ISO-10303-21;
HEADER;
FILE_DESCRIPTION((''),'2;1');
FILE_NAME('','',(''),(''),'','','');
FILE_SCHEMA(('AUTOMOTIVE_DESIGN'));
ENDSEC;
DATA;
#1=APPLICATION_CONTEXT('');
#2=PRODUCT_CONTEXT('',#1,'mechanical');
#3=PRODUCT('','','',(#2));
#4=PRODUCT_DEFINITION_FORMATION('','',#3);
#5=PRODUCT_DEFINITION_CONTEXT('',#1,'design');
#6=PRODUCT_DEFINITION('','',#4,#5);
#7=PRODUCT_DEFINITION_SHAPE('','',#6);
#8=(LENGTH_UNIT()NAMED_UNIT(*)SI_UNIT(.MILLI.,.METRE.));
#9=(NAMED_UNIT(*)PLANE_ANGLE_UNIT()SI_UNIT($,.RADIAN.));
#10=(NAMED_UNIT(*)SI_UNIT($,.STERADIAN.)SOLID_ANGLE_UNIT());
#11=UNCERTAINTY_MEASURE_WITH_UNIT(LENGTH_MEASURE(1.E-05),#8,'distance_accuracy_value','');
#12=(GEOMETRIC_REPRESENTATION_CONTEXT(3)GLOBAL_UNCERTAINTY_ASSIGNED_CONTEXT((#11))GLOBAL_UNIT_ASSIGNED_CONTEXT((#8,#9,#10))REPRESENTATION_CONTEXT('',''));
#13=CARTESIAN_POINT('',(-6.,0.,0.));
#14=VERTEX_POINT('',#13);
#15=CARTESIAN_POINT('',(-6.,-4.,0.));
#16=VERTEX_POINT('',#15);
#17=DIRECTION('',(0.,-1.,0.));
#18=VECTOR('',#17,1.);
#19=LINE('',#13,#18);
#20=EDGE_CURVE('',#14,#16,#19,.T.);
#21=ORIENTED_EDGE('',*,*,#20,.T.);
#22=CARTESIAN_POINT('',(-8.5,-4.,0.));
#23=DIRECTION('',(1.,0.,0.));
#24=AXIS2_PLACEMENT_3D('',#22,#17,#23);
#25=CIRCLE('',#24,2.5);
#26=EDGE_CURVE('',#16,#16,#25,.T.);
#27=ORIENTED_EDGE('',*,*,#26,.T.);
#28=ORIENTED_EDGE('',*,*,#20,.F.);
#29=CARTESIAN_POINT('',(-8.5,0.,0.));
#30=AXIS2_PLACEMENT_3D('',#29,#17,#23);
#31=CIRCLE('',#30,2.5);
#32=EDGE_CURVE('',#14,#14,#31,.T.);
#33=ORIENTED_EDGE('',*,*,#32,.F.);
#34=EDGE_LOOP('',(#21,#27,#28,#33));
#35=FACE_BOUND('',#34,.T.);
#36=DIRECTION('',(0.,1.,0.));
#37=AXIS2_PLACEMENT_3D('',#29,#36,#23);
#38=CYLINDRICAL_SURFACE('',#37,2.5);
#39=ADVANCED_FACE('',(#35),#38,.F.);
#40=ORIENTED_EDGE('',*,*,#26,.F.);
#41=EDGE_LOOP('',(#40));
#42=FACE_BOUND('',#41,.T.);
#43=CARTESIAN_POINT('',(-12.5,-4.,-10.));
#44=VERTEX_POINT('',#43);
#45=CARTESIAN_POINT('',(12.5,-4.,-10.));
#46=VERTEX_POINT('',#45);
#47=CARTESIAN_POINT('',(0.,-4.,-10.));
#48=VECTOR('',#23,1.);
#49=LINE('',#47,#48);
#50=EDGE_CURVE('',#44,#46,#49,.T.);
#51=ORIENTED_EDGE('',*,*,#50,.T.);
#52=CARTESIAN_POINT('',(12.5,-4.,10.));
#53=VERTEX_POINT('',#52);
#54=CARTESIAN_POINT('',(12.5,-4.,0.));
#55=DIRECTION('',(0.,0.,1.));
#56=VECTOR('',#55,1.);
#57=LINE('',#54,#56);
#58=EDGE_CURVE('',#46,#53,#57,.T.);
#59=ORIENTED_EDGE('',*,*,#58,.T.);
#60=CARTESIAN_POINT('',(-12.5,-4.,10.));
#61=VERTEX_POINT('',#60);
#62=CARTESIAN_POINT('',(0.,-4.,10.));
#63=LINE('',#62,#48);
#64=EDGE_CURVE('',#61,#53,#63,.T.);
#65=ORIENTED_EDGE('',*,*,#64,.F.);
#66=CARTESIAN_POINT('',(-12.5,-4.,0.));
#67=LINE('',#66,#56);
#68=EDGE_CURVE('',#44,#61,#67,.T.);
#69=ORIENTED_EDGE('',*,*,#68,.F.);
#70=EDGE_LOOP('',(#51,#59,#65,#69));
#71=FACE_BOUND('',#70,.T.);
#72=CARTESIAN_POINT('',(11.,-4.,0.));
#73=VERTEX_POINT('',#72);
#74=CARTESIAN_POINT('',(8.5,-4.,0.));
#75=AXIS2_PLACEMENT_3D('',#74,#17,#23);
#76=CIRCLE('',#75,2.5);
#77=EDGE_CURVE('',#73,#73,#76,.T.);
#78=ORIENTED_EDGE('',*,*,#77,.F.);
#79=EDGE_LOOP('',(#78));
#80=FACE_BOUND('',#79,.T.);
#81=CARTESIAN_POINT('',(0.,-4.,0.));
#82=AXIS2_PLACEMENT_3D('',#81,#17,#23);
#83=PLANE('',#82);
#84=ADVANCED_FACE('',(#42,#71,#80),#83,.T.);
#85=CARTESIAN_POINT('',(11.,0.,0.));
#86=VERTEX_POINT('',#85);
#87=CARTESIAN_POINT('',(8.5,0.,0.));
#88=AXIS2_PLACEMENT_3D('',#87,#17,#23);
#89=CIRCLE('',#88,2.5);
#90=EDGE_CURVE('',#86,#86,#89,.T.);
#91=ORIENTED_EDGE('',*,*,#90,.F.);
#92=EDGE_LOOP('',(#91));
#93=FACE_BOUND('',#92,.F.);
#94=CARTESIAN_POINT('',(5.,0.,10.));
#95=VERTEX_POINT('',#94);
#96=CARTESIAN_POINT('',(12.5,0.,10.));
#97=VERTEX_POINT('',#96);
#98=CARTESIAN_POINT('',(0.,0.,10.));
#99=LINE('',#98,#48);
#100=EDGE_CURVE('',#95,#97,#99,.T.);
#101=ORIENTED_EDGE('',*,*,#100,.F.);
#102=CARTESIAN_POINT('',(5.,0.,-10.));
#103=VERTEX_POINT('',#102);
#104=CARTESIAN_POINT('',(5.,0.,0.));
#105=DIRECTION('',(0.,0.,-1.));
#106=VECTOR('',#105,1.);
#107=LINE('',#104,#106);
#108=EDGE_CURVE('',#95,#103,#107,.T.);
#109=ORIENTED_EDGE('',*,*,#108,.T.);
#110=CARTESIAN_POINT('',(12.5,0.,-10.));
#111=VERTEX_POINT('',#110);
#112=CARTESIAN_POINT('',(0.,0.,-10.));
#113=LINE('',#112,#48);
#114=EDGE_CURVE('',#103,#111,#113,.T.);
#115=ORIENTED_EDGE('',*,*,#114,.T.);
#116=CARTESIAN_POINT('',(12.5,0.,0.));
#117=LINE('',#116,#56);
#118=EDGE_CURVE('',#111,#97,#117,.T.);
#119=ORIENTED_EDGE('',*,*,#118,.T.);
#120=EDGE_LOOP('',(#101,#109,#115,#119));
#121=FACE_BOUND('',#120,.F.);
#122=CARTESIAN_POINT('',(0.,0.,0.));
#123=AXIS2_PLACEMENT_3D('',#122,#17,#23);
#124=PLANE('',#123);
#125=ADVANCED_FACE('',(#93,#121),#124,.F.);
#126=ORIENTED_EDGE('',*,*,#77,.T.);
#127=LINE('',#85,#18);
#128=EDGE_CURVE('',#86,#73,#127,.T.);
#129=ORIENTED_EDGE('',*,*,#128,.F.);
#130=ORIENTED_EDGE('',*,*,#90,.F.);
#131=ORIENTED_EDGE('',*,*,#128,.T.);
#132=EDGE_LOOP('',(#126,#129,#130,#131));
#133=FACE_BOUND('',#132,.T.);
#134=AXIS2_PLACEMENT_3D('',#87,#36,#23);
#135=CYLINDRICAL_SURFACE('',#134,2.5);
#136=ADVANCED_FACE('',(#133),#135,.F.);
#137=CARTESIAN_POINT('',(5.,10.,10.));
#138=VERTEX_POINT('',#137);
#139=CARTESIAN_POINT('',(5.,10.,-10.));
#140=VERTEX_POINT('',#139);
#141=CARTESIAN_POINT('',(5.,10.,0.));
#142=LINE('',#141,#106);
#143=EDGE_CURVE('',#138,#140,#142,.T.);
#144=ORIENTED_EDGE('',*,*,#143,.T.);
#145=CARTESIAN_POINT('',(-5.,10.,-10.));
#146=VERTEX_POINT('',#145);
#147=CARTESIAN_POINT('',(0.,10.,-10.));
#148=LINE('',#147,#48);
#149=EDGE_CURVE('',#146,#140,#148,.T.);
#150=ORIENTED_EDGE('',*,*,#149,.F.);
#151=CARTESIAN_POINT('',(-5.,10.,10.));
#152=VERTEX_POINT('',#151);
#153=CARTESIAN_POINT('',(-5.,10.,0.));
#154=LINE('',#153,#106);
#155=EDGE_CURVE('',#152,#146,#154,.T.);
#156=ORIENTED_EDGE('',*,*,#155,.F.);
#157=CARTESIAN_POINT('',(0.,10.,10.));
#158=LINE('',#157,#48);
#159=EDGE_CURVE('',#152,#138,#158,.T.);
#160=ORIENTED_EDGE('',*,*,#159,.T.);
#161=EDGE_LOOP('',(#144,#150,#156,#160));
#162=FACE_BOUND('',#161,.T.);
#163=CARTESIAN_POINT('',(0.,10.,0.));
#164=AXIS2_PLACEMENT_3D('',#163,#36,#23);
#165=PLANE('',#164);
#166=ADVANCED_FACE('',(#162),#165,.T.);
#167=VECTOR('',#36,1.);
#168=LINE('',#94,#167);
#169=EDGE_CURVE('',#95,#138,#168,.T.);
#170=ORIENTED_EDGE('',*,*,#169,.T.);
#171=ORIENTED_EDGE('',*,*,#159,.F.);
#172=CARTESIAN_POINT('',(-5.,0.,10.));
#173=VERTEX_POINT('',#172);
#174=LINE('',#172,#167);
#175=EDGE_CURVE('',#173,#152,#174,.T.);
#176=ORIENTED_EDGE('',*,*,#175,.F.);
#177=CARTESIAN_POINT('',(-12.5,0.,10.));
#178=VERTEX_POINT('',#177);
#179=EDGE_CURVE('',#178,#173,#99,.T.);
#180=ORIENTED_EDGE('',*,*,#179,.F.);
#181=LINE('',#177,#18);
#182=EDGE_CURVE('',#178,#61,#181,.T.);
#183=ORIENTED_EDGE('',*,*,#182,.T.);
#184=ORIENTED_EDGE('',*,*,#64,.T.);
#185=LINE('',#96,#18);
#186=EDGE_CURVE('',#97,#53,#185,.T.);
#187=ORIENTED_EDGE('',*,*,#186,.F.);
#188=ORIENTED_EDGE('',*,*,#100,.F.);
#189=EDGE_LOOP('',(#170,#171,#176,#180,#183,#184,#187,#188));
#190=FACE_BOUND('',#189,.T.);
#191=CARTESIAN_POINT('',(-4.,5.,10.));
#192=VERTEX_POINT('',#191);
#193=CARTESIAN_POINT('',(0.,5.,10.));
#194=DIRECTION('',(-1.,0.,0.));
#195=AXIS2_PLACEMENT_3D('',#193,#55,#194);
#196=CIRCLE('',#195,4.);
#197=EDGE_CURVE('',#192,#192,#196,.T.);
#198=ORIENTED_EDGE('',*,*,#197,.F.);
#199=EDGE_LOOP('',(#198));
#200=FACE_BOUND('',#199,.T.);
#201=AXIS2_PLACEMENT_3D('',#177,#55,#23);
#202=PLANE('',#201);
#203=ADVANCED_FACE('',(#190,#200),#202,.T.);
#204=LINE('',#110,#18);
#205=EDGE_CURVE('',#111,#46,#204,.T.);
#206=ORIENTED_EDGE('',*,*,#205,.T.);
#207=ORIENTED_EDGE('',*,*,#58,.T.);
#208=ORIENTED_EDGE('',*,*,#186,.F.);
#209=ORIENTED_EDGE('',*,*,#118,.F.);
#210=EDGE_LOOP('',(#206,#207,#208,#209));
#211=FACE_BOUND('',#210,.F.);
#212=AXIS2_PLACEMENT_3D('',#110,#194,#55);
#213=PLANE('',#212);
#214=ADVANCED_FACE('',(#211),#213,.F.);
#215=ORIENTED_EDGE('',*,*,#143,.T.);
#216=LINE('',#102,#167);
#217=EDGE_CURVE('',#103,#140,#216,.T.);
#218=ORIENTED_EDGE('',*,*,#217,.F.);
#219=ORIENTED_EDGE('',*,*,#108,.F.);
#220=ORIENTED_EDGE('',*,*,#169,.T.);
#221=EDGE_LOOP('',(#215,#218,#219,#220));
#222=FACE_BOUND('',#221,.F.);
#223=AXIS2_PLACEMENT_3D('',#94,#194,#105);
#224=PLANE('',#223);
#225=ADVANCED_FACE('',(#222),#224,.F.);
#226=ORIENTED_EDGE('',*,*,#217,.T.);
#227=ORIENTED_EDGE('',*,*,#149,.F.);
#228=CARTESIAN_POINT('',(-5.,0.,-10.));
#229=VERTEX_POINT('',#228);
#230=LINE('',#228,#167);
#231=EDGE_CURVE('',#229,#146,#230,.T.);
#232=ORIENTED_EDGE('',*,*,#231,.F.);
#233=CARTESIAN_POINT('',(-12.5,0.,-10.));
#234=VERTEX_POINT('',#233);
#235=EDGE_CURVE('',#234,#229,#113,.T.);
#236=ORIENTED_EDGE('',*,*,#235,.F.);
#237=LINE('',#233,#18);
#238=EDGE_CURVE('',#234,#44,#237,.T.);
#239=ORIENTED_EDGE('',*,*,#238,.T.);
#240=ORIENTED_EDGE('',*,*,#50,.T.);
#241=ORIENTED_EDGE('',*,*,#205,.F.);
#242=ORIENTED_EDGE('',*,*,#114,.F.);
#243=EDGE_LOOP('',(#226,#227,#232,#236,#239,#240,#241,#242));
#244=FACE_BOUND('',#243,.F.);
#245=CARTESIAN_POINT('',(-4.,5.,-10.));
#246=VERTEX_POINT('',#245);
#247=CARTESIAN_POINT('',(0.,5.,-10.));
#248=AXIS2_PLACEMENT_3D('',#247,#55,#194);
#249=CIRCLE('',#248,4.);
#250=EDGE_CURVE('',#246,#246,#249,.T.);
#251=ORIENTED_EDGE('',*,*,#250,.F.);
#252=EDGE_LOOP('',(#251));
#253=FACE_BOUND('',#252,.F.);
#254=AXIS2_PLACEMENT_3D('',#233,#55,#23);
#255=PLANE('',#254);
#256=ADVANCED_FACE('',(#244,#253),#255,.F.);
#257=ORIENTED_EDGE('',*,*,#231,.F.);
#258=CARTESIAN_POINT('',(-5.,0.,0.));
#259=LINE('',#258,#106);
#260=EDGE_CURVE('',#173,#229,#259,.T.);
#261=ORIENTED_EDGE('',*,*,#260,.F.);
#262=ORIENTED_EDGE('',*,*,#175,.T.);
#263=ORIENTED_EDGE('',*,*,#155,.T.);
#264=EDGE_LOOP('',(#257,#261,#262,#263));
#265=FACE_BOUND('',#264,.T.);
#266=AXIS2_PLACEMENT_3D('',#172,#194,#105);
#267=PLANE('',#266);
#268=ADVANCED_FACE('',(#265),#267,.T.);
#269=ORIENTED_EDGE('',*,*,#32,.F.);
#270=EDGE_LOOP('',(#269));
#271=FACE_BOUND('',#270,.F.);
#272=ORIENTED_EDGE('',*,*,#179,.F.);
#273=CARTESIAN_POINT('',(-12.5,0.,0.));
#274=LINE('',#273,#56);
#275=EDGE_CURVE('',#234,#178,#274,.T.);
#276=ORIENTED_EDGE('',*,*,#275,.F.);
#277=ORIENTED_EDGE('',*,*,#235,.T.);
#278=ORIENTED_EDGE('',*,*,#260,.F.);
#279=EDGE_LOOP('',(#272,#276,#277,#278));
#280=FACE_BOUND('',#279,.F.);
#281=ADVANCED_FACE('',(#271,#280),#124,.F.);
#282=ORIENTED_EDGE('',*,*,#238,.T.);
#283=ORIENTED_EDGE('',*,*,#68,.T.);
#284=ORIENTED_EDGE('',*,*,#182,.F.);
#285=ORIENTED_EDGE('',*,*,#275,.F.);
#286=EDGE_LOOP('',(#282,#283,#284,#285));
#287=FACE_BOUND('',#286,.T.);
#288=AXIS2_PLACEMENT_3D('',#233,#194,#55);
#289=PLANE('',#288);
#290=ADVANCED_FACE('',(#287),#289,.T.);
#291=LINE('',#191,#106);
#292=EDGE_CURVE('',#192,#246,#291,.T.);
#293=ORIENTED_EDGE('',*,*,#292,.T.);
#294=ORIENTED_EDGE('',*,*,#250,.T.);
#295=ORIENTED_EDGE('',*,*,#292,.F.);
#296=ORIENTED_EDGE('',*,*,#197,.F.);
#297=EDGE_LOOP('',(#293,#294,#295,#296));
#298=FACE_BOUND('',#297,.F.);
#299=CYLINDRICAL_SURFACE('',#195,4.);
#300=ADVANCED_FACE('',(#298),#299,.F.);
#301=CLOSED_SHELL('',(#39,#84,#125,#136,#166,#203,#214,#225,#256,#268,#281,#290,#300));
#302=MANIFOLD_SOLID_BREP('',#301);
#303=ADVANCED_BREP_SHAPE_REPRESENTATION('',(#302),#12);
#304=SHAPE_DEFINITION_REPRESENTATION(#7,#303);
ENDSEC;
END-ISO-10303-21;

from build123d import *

# Parameters (mm, degrees)
SKETCH025_W     = 25
SKETCH025_H     = 20
SKETCH025_R     = 2.5
PAD013_DEPTH    = 4
SKETCH026_W     = 10
SKETCH026_H     = 20
PAD014_DEPTH    = 10
SKETCH027_R     = 4
POCKET013_DEPTH = 20.001


with BuildPart() as part:
    # Sketch025 → Pad013 (new body)
    with BuildSketch(Plane.XZ):
        Rectangle(SKETCH025_W, SKETCH025_H)
        with Locations((-8.5, 0)):
            Circle(SKETCH025_R, mode=Mode.SUBTRACT)
        with Locations((8.5, 0)):
            Circle(SKETCH025_R, mode=Mode.SUBTRACT)
    extrude(amount=PAD013_DEPTH)

    # Sketch026 (on Face7 of Pad013) → Pad014 (join)
    with BuildSketch(Plane(origin=(0, 0, 0), x_dir=(1, 0, 0), z_dir=(0, 1, 0))):
        Rectangle(SKETCH026_W, SKETCH026_H)
    extrude(amount=PAD014_DEPTH)

    # Sketch027 (on Face5 of Pad014) → Pocket013 (cut, through all)
    with BuildSketch(Plane(origin=(0, 0, 10), x_dir=(-1, 0, 0), z_dir=(0, 0, 1))):
        with Locations((0, -5)):
            Circle(SKETCH027_R)
    extrude(amount=-POCKET013_DEPTH, mode=Mode.SUBTRACT)


solid = part.part
